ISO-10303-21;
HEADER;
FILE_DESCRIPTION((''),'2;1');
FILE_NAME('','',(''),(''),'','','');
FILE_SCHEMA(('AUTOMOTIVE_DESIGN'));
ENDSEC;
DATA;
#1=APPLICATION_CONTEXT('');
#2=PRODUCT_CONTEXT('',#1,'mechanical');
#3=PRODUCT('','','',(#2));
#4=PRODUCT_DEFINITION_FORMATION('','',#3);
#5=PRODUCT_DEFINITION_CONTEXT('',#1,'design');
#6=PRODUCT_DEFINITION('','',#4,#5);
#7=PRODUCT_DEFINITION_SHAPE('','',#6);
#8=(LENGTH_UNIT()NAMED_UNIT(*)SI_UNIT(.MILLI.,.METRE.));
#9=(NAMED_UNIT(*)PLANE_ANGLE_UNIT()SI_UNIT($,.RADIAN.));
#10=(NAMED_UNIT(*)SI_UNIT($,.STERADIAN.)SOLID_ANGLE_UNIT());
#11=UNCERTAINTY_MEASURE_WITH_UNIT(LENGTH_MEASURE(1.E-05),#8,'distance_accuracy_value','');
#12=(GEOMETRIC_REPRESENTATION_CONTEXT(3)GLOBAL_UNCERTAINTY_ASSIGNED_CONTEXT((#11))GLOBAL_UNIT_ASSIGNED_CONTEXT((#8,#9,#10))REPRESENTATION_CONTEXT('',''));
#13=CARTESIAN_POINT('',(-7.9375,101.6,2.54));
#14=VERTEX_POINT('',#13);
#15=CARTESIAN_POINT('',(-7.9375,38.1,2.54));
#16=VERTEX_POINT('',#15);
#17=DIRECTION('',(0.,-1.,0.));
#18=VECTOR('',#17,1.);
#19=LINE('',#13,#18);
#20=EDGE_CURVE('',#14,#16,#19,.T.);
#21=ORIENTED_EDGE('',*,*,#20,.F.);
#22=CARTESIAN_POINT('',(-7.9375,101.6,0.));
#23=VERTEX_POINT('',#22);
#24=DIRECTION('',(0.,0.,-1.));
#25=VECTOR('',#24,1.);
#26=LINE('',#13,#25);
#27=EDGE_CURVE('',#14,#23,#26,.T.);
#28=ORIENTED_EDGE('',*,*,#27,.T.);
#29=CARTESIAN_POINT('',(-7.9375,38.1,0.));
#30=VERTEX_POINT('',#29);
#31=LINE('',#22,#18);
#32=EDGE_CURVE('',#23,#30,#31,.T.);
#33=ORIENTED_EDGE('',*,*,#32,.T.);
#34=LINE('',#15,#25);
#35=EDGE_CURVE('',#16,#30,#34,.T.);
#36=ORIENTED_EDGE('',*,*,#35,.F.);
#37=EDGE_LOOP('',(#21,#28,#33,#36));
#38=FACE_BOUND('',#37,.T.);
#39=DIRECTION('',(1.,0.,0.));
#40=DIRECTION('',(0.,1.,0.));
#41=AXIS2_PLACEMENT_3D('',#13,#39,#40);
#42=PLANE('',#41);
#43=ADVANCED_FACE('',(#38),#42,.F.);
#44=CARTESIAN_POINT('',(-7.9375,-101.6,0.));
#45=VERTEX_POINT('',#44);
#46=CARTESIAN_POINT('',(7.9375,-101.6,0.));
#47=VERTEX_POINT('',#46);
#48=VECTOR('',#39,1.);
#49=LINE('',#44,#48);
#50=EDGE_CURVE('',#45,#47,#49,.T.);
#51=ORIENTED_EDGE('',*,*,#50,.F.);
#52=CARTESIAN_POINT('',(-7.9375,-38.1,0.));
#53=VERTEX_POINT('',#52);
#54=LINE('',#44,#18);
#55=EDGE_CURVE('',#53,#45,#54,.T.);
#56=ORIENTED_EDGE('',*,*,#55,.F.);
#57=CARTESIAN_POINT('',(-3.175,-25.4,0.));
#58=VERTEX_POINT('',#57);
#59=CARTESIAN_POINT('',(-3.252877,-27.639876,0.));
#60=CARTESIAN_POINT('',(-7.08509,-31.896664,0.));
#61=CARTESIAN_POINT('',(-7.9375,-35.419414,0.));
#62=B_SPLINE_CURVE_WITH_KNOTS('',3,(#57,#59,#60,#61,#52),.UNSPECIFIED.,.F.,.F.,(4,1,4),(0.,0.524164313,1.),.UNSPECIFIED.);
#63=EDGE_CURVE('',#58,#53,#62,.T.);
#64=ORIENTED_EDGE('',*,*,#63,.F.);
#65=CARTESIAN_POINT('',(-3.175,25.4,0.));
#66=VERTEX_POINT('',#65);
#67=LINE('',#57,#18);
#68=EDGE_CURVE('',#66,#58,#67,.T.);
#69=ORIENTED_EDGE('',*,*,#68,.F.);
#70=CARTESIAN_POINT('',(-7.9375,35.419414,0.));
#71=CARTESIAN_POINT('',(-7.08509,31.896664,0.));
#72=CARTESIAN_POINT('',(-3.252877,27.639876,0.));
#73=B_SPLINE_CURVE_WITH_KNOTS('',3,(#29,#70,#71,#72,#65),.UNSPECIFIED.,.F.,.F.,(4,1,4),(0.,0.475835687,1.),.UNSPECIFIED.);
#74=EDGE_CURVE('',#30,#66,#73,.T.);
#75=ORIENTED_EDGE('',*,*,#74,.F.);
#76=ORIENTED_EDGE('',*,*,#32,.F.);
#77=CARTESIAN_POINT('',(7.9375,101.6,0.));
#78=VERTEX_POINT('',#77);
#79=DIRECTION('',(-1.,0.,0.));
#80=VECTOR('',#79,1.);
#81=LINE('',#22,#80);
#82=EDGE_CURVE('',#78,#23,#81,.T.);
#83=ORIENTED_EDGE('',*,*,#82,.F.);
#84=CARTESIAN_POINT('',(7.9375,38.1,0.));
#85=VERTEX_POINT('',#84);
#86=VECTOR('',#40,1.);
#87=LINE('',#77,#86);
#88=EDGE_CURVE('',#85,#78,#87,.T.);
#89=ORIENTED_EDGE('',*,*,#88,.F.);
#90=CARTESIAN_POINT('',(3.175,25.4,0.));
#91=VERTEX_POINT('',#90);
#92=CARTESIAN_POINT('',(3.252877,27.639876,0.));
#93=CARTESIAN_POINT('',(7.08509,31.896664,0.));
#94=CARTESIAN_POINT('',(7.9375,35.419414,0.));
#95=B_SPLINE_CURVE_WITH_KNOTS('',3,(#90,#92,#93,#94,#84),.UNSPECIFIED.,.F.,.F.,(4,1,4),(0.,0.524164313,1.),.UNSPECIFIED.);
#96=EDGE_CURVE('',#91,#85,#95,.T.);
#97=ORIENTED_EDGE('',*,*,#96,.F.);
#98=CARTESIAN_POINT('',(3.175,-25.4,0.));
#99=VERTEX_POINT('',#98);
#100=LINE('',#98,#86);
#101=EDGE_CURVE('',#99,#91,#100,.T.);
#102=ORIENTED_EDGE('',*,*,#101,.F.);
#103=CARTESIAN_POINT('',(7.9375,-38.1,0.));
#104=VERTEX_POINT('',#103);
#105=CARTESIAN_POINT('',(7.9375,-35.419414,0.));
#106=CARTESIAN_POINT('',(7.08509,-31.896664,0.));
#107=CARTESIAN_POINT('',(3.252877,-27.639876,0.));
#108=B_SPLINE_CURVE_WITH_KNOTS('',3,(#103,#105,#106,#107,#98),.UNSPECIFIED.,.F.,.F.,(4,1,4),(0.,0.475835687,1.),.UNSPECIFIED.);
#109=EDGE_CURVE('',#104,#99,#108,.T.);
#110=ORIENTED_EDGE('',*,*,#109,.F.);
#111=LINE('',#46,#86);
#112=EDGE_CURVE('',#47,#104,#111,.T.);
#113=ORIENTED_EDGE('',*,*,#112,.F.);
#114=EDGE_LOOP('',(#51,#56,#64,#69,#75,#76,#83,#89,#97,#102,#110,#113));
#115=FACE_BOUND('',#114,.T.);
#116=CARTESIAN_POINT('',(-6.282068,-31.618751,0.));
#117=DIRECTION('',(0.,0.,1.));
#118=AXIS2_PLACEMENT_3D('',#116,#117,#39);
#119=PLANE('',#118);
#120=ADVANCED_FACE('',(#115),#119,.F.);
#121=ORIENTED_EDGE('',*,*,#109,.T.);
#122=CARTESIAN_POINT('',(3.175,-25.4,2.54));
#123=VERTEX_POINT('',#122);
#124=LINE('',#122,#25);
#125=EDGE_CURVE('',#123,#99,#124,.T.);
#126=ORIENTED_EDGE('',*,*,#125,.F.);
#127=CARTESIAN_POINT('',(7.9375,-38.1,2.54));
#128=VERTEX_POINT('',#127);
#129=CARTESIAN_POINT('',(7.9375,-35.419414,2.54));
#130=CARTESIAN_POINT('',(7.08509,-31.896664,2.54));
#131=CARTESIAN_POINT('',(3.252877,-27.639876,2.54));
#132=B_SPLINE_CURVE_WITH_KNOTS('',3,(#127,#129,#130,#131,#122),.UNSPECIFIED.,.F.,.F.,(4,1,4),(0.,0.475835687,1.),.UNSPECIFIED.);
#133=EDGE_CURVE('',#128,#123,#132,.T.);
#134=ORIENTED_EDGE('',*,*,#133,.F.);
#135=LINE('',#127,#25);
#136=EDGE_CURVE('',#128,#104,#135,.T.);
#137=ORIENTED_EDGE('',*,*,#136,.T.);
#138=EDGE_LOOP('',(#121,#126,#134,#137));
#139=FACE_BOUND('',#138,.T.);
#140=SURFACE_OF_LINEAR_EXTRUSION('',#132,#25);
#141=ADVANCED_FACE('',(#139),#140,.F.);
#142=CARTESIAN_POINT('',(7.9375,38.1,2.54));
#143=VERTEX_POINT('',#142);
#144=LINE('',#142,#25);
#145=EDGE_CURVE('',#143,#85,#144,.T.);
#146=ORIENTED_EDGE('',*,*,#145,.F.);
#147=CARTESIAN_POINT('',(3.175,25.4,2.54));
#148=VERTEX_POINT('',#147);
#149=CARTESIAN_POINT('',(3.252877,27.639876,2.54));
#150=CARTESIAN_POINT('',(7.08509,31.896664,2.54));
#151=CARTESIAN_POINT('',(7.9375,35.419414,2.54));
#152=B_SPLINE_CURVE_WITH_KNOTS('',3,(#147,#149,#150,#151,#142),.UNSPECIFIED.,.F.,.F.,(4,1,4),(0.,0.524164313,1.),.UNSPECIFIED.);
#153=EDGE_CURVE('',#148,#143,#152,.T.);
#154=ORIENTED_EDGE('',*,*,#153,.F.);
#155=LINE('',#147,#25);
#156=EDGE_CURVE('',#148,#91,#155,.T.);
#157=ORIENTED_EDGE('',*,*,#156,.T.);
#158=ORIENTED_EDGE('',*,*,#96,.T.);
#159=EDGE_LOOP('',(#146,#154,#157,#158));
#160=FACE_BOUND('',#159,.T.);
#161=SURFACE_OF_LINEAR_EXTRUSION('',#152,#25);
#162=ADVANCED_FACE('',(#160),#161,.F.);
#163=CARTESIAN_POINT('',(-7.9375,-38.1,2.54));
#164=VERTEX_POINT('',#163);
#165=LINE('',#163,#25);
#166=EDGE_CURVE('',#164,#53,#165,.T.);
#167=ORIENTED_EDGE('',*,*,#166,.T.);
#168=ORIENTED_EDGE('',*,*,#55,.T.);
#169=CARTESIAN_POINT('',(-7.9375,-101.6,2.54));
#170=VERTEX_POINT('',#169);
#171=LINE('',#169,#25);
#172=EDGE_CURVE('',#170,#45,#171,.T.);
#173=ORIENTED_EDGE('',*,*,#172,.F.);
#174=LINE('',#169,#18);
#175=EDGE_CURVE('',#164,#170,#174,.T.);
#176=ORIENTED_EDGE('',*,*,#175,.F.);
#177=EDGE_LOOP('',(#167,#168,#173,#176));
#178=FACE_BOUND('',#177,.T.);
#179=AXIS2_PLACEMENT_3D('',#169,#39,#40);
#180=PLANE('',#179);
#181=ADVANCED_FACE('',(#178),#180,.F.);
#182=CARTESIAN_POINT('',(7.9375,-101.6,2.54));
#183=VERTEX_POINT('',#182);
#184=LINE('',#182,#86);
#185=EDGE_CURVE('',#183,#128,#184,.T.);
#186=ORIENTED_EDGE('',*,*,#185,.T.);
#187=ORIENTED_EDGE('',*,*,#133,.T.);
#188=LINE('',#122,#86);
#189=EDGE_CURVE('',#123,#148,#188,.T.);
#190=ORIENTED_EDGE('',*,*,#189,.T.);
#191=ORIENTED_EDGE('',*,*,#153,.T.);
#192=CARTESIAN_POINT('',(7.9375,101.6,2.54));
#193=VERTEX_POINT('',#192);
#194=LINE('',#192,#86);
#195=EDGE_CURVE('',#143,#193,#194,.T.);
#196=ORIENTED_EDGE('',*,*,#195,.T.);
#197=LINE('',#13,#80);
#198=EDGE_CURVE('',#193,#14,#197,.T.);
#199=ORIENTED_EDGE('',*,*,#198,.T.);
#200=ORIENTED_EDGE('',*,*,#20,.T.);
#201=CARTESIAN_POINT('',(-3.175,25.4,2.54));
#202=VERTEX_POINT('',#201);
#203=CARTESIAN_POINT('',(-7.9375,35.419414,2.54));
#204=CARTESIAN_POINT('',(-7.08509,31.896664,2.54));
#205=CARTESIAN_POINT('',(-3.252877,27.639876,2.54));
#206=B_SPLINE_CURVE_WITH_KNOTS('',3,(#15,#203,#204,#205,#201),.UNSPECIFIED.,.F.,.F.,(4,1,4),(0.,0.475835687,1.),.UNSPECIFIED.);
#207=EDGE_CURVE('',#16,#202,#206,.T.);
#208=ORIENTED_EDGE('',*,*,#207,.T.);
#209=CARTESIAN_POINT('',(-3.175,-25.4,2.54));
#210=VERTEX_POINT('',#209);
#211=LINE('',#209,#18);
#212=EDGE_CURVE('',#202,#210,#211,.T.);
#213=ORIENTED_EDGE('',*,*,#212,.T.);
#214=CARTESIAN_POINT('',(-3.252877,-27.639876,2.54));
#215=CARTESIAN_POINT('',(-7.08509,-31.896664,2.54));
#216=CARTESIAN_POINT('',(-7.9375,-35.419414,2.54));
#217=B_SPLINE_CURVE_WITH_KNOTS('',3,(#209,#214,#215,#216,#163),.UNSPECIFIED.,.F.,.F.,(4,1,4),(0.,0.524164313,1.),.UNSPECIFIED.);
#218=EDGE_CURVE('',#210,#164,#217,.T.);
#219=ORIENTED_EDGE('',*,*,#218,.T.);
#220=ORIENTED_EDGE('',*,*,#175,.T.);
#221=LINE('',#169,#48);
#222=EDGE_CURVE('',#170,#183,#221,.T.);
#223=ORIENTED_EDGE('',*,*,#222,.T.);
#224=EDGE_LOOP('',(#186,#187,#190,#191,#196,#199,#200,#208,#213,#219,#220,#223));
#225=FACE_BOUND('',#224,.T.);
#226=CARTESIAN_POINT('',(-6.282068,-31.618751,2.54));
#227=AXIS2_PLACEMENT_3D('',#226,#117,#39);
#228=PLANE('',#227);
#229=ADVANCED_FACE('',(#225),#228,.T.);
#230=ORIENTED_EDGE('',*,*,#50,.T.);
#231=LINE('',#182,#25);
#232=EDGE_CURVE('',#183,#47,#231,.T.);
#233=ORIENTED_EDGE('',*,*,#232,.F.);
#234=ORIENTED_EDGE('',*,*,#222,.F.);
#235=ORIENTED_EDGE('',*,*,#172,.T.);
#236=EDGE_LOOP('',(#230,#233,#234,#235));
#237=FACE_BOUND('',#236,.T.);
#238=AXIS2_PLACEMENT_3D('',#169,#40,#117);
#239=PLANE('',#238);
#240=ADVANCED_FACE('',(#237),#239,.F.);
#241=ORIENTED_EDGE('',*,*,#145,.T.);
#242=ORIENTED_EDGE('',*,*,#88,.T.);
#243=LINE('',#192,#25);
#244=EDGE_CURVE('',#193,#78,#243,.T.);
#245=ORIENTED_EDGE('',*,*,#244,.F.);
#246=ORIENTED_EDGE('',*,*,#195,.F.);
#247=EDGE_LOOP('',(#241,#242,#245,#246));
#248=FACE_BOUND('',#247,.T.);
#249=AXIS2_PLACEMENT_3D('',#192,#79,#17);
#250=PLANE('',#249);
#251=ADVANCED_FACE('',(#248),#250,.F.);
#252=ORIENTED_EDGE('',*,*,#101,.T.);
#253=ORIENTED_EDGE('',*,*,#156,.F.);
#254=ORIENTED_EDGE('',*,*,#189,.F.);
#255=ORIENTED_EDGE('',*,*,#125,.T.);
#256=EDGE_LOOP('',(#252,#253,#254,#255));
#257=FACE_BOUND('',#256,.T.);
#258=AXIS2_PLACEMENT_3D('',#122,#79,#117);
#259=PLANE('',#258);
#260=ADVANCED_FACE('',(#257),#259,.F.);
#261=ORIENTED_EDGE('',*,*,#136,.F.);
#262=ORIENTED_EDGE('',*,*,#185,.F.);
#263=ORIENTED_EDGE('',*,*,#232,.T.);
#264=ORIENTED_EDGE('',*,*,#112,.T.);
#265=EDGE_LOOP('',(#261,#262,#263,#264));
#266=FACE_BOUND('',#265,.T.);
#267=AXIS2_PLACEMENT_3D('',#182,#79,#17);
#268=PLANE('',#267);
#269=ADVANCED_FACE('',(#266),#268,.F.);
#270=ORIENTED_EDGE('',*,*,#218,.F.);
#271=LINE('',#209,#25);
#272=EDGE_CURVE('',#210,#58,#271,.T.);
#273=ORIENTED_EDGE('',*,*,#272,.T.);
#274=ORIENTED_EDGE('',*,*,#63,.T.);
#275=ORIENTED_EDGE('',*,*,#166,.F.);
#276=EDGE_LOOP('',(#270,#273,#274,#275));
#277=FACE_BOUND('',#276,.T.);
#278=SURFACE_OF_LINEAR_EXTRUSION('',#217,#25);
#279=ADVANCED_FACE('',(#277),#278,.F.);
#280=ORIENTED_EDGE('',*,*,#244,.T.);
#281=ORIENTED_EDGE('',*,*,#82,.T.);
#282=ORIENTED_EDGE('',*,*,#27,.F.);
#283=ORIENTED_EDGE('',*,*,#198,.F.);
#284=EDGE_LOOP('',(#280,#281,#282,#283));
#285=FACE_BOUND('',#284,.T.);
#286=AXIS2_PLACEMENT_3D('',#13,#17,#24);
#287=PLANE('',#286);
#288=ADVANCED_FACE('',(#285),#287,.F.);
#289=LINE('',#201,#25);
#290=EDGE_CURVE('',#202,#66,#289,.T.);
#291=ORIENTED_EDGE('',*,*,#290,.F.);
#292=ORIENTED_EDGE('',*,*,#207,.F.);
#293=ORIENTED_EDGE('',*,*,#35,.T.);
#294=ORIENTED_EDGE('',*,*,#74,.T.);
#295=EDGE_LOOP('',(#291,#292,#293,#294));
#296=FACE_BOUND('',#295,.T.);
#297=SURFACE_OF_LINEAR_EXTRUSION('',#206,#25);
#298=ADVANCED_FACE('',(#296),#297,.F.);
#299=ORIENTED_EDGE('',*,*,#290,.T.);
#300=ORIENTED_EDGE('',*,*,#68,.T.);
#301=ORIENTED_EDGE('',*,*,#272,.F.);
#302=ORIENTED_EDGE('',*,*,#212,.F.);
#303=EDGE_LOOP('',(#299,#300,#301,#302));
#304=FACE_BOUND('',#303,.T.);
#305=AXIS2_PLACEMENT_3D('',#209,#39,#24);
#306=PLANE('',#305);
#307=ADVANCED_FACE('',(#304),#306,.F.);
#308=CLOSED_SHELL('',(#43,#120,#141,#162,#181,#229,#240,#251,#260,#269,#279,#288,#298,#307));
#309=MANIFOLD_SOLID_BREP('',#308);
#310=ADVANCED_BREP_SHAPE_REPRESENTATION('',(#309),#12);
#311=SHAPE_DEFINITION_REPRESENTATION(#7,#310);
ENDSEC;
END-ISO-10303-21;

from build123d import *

# Parameters (mm, degrees)
BOSS_EXTRUDE1_DEPTH = 2.54


with BuildPart() as part:
    # Sketch1 → Boss-Extrude1 (new body)
    with BuildSketch(Plane.XY):
        with BuildLine():
            Line((-7.9375, -101.6), (7.9375, -101.6))
            Line((7.9375, -101.6), (7.9375, -38.1))
            add(Edge.make_bspline(
                [(7.9375, -38.1), (7.9375, -35.419414326), (7.08508997, -31.89666435), (3.252877068, -27.63987608), (3.175, -25.4)],
                knots=[0, 0, 0, 0, 0.475835687, 1, 1, 1, 1], degree=3))
            Line((3.175, -25.4), (3.175, 25.4))
            add(Edge.make_bspline(
                [(7.9375, 38.1), (7.9375, 35.419414326), (7.08508997, 31.89666435), (3.252877068, 27.63987608), (3.175, 25.4)],
                knots=[0, 0, 0, 0, 0.475835687, 1, 1, 1, 1], degree=3))
            Line((7.9375, 38.1), (7.9375, 101.6))
            Line((7.9375, 101.6), (-7.9375, 101.6))
            Line((-7.9375, 101.6), (-7.9375, 38.1))
            add(Edge.make_bspline(
                [(-7.9375, 38.1), (-7.9375, 35.419414326), (-7.08508997, 31.89666435), (-3.252877068, 27.63987608), (-3.175, 25.4)],
                knots=[0, 0, 0, 0, 0.475835687, 1, 1, 1, 1], degree=3))
            Line((-3.175, 25.4), (-3.175, -25.4))
            add(Edge.make_bspline(
                [(-7.9375, -38.1), (-7.9375, -35.419414326), (-7.08508997, -31.89666435), (-3.252877068, -27.63987608), (-3.175, -25.4)],
                knots=[0, 0, 0, 0, 0.475835687, 1, 1, 1, 1], degree=3))
            Line((-7.9375, -38.1), (-7.9375, -101.6))
        make_face()
    extrude(amount=BOSS_EXTRUDE1_DEPTH)


solid = part.part
